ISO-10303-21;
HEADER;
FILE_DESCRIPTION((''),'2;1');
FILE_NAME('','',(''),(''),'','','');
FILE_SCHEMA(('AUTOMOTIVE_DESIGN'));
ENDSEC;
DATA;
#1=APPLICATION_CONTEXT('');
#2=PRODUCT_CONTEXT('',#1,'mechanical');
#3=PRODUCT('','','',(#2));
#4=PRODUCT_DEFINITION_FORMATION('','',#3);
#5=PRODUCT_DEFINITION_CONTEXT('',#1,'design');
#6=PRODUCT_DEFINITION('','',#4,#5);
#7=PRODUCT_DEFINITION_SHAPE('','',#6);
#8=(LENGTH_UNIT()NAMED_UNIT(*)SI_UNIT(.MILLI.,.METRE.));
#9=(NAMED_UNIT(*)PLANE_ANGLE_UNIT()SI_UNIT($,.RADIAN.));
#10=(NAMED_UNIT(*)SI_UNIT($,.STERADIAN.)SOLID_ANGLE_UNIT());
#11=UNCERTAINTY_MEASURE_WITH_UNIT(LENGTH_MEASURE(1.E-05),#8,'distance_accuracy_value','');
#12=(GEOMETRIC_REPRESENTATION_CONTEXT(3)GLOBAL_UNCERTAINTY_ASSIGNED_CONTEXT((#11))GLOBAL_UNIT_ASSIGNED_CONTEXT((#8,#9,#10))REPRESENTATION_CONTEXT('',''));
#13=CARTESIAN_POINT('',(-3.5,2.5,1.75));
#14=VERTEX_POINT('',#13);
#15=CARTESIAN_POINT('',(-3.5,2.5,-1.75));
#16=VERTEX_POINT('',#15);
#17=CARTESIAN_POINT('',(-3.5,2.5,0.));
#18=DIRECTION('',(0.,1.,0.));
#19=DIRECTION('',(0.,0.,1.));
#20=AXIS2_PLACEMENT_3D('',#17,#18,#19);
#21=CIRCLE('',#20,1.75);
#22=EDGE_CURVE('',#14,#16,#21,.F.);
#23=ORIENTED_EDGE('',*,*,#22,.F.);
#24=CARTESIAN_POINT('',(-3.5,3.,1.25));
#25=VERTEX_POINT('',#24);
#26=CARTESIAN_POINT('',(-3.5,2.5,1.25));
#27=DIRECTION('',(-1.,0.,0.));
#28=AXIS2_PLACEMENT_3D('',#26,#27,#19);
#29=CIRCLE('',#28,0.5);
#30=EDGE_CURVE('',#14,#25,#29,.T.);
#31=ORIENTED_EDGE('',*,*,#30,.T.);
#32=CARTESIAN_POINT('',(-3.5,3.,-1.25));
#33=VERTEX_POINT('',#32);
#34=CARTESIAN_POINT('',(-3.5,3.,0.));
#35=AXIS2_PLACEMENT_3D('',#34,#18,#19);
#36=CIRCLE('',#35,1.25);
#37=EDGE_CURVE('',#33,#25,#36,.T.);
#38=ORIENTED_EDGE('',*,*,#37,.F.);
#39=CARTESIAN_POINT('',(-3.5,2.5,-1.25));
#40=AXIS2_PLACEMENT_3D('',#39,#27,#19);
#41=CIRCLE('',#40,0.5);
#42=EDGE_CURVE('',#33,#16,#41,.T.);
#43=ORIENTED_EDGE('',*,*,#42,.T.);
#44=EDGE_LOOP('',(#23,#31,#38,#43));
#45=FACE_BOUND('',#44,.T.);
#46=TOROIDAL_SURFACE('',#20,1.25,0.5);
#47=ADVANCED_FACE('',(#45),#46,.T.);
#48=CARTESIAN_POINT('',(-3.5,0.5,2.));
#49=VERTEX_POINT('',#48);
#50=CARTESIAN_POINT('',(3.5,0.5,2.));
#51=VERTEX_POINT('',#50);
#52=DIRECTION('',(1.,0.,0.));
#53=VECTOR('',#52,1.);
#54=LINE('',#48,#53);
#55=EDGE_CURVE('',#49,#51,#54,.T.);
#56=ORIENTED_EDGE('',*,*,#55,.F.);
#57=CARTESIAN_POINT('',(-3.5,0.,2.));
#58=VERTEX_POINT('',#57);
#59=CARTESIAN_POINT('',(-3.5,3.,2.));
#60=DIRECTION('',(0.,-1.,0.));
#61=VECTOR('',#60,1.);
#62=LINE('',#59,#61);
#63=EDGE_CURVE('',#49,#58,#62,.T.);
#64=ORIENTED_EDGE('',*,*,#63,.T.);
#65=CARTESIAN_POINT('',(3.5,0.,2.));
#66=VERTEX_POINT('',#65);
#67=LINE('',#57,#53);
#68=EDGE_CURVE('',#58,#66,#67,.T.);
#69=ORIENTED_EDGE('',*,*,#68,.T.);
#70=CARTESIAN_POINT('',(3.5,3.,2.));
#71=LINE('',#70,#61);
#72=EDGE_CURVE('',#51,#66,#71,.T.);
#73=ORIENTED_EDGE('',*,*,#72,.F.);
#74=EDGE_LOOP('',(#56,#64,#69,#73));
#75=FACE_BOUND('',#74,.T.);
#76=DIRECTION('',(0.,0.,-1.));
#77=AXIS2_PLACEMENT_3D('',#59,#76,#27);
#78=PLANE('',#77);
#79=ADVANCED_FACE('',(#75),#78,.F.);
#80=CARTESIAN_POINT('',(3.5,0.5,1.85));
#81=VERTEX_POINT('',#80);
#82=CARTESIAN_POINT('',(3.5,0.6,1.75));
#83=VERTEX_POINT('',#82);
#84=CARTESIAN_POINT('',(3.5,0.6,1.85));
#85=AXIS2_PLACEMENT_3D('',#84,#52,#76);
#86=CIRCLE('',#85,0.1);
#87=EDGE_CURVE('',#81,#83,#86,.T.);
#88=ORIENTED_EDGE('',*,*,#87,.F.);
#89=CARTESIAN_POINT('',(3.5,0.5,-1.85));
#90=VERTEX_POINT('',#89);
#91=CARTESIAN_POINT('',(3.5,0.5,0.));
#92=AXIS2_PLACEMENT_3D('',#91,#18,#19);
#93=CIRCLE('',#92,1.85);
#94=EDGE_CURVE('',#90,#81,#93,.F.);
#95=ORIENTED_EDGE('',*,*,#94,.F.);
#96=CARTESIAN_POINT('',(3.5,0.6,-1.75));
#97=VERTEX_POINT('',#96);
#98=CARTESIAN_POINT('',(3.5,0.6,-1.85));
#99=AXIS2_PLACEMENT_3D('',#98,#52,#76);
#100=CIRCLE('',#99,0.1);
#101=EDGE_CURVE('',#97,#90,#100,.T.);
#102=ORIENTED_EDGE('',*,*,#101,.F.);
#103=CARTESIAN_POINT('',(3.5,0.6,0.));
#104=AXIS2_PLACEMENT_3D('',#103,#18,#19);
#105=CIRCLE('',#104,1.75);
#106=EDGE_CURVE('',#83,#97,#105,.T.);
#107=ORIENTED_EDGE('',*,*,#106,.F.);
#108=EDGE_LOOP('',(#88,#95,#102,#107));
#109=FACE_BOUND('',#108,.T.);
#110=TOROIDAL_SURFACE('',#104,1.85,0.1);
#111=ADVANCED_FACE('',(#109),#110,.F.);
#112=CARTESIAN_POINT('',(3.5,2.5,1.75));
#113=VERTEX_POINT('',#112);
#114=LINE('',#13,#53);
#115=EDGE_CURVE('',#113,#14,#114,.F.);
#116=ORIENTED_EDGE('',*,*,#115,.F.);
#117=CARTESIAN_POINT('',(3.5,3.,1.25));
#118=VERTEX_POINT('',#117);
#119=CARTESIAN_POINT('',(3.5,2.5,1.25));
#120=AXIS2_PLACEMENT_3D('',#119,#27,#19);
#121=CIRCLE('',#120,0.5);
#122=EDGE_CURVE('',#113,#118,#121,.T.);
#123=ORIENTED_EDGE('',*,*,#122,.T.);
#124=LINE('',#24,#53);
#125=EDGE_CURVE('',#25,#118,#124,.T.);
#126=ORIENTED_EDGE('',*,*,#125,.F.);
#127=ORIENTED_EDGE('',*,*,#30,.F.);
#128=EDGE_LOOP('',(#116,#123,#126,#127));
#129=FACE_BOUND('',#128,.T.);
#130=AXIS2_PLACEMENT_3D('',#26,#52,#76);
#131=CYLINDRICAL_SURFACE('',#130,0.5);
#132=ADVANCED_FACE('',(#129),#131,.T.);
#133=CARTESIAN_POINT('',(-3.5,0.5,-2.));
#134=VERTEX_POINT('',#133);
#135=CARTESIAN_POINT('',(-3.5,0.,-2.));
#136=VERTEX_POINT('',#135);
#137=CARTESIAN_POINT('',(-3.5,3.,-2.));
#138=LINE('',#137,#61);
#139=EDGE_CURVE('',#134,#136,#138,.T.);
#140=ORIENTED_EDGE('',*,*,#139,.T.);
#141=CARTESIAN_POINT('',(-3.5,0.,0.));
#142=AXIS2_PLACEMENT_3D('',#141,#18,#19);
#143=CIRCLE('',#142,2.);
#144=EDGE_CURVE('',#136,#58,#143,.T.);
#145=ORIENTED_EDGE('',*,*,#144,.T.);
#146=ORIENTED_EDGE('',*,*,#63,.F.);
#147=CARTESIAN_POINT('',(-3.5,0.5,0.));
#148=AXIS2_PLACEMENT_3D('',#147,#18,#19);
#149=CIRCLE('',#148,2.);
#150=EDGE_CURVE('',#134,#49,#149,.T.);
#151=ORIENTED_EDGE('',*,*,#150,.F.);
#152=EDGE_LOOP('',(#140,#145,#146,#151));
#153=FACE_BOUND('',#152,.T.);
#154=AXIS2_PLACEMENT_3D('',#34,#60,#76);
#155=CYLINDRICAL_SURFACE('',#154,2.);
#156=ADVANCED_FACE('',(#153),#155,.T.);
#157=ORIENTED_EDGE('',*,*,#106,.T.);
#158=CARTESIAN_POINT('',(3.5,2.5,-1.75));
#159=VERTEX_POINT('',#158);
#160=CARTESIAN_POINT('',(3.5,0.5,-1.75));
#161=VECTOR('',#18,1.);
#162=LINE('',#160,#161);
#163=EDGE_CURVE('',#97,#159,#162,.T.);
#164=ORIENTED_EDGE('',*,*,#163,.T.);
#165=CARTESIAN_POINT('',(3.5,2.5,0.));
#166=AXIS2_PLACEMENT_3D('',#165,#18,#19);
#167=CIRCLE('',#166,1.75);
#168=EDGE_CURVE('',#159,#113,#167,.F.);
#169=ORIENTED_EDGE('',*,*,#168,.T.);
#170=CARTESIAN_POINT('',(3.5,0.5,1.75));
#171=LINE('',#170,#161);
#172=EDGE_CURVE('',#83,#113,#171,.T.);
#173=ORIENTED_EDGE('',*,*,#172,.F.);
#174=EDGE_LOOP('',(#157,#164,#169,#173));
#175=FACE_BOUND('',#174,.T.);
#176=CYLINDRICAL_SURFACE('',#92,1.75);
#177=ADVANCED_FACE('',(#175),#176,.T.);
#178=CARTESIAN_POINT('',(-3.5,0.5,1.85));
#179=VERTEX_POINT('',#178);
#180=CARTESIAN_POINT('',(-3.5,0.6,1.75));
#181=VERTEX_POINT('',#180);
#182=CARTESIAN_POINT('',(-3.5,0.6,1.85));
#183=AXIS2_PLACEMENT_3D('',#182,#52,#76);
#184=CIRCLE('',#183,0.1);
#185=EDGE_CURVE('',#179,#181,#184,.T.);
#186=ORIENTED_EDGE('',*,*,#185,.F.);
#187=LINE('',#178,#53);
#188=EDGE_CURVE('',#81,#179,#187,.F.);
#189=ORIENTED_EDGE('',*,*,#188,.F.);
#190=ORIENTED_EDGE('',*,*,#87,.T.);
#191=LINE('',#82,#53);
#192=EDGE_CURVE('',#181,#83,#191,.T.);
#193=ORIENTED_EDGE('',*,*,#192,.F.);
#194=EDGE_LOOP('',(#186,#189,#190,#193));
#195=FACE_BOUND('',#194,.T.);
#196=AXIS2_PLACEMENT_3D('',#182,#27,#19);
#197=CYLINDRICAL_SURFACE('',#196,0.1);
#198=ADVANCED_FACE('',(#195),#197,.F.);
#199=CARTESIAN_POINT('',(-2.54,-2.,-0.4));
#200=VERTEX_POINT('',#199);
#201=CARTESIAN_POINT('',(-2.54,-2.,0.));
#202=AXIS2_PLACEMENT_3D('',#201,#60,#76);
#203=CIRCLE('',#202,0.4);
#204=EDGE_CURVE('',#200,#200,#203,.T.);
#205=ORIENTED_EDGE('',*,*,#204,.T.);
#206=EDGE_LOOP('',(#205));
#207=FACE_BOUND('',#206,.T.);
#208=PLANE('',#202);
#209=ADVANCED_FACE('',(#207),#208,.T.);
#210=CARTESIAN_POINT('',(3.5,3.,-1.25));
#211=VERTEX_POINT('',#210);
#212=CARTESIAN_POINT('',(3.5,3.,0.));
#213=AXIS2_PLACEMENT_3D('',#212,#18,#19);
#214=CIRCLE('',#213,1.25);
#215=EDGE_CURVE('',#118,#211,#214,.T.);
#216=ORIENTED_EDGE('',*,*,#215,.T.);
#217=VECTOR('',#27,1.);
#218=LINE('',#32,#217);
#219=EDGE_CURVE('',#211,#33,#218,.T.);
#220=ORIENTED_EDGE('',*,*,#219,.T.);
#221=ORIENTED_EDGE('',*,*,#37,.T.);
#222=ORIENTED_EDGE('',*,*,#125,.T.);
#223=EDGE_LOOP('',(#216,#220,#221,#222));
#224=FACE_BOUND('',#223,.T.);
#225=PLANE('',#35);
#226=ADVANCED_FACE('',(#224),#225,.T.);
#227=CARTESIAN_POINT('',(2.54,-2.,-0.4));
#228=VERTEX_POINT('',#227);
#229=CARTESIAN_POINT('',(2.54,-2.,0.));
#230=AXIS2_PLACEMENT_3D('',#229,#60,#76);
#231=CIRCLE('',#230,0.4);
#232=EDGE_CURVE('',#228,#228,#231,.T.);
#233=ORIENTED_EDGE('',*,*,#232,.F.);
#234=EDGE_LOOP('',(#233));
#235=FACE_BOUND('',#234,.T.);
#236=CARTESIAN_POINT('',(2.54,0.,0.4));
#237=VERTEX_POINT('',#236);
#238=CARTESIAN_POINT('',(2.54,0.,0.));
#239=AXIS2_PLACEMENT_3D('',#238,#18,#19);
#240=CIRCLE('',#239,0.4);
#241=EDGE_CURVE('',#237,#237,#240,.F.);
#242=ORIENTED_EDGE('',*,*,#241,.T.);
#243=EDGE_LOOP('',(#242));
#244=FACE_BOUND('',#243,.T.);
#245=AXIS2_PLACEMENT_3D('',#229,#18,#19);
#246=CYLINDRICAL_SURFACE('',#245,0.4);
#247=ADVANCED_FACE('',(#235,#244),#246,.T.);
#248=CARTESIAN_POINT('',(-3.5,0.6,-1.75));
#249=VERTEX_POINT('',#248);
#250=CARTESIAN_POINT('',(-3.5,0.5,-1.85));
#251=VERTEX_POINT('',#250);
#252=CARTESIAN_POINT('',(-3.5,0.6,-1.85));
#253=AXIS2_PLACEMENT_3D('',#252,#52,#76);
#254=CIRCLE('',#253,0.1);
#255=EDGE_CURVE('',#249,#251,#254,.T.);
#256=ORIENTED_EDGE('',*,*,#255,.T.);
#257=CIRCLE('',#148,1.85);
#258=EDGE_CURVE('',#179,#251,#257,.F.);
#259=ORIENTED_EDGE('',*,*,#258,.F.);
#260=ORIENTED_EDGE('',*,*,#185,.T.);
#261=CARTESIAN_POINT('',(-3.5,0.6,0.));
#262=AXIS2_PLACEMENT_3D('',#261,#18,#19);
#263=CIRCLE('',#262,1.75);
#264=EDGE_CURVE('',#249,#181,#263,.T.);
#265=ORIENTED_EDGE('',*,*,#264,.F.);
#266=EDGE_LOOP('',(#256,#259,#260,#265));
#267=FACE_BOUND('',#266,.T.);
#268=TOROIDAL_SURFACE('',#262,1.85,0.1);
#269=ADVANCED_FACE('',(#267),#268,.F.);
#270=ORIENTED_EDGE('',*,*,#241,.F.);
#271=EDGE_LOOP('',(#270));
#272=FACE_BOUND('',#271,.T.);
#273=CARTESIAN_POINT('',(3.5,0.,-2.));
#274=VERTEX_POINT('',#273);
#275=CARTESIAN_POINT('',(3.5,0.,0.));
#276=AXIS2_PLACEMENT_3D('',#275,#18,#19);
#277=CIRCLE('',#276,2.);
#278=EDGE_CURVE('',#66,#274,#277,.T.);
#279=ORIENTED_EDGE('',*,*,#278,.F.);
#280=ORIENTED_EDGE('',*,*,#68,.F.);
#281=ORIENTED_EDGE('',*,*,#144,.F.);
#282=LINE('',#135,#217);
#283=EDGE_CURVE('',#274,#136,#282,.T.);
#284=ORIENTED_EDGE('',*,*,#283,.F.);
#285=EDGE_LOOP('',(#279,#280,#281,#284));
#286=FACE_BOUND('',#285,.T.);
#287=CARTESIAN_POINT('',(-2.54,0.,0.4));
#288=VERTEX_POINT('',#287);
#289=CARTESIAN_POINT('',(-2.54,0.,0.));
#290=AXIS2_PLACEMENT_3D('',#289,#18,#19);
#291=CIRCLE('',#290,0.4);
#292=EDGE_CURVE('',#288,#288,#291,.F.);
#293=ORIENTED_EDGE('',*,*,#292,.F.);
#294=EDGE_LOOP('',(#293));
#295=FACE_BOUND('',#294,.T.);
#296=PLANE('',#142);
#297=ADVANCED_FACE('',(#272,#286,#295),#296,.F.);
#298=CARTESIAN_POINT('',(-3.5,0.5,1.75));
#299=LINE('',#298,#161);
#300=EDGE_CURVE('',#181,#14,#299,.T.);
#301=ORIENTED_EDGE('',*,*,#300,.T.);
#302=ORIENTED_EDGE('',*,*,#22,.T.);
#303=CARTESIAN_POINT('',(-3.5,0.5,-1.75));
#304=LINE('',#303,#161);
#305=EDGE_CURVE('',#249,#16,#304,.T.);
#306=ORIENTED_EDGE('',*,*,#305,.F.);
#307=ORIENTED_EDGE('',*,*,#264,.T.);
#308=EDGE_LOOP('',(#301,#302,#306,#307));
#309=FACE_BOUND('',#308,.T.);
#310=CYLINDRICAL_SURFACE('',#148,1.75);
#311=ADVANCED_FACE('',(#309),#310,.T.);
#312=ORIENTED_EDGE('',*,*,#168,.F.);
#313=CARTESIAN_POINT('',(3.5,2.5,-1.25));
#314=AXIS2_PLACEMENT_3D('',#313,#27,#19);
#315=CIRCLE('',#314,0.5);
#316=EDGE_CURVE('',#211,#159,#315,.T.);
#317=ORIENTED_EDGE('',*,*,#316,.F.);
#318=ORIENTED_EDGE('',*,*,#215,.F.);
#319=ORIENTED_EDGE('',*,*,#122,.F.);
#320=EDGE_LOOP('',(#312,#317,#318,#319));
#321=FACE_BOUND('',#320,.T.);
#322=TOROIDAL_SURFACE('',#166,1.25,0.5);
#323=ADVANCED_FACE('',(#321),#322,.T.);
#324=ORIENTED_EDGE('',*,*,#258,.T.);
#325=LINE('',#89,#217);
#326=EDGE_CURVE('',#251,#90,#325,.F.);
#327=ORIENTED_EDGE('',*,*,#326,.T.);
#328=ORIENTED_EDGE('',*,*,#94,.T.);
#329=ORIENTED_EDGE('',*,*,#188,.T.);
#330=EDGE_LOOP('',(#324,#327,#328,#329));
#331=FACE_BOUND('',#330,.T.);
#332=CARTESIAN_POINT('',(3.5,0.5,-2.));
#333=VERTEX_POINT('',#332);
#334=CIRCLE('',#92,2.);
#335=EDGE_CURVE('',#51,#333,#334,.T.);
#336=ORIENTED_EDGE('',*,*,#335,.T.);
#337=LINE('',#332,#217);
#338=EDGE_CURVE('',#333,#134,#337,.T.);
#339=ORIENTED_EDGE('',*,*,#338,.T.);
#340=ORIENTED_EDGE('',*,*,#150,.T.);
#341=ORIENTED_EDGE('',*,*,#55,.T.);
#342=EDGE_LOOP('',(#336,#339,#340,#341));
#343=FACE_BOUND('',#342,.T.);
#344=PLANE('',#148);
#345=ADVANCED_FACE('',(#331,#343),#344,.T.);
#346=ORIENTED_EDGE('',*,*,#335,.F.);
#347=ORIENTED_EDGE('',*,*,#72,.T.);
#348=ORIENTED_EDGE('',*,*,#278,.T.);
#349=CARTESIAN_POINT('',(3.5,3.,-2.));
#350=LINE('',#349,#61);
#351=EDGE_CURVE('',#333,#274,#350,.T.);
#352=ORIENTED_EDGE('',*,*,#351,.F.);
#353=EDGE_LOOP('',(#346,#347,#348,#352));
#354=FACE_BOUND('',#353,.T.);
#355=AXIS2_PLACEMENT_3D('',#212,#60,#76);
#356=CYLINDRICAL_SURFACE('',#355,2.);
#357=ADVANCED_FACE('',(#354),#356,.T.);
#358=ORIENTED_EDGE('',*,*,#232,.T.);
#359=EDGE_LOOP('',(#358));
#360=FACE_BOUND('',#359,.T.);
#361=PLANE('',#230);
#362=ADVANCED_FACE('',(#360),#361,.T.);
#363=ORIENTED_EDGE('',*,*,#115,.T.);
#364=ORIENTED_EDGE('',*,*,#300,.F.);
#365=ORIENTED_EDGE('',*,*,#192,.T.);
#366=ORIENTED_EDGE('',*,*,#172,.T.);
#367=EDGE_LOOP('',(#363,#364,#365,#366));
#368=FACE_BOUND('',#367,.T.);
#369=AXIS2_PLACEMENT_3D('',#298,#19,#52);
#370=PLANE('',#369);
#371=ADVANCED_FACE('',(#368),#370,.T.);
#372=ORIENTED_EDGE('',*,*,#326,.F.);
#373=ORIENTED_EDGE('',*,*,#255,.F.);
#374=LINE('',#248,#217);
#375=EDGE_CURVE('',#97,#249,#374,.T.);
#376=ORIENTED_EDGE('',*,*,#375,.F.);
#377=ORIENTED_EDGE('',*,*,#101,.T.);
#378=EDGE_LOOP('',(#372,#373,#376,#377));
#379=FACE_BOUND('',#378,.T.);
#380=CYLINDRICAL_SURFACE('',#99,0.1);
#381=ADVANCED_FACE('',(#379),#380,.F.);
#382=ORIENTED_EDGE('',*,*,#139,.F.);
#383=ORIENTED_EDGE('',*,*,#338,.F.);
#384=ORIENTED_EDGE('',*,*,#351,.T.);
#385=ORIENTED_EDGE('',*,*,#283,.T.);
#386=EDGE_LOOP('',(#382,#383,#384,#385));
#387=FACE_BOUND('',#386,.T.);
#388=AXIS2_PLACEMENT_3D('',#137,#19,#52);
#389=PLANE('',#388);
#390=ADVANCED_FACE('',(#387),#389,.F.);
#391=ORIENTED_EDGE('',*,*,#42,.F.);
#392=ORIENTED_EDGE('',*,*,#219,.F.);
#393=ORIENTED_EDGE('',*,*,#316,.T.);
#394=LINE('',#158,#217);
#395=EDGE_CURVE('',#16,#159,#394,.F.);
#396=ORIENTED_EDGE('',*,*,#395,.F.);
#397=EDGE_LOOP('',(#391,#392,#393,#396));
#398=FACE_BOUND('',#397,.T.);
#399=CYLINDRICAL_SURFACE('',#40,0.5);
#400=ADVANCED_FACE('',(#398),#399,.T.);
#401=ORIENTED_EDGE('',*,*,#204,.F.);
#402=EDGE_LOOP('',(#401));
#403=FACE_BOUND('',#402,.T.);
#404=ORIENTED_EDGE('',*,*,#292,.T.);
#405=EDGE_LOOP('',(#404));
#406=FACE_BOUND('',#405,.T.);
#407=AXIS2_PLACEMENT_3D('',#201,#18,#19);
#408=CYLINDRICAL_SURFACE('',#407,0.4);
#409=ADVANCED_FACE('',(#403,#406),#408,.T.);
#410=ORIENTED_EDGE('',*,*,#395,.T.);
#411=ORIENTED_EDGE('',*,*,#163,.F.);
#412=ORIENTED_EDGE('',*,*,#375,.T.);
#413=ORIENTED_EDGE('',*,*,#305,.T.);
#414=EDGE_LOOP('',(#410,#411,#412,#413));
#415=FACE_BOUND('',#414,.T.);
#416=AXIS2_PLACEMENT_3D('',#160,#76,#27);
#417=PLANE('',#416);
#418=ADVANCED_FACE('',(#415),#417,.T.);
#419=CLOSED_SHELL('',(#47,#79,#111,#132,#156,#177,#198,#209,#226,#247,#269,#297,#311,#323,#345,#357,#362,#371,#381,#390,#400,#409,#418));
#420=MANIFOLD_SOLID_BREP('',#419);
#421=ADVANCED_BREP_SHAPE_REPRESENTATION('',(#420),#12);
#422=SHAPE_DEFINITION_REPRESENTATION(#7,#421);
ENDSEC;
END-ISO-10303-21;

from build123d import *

# Parameters (mm, degrees)
BOSS_EXTRUDE1_DEPTH = 3
CUT_EXTRUDE1_START  = -2.5
CUT_EXTRUDE1_DEPTH  = 2.5
FILLET1_R           = 0.5
SKETCH3_R           = 0.4
BOSS_EXTRUDE2_DEPTH = 2
FILLET2_R           = 0.1


with BuildPart() as part:
    # Sketch1 → Boss-Extrude1 (new body)
    with BuildSketch(Plane(origin=(0, 0, 0), x_dir=(1, 0, 0), z_dir=(0, 1, 0))):
        with BuildLine():
            Line((-3.5, 2), (3.5, 2))
            ThreePointArc((3.5, 2), (5.5, 0), (3.5, -2))
            Line((3.5, -2), (-3.5, -2))
            ThreePointArc((-3.5, -2), (-5.5, 0), (-3.5, 2))
        make_face()
    extrude(amount=BOSS_EXTRUDE1_DEPTH)

    # Sketch2 → Cut-Extrude1 (cut)
    with BuildSketch(Plane(origin=(0, 3, 0), x_dir=(1, 0, 0), z_dir=(0, 1, 0)).offset(CUT_EXTRUDE1_START)):
        with BuildLine():
            Line((-3.5, -2), (3.5, -2))
            ThreePointArc((3.5, -2), (5.5, 0), (3.5, 2))
            Line((3.5, 2), (-3.5, 2))
            ThreePointArc((-3.5, 2), (-5.5, 0), (-3.5, -2))
        make_face()
        with BuildLine():
            Line((-3.5, -1.75), (3.5, -1.75))
            ThreePointArc((3.5, -1.75), (5.25, 0), (3.5, 1.75))
            Line((3.5, 1.75), (-3.5, 1.75))
            ThreePointArc((-3.5, 1.75), (-5.25, 0), (-3.5, -1.75))
        make_face(mode=Mode.SUBTRACT)
    extrude(amount=CUT_EXTRUDE1_DEPTH, mode=Mode.SUBTRACT)

    # Fillet1
    fillet1_edges = [part.edges().sort_by_distance(p)[0] for p in [
        (-5.25, 3, 0),
        (0, 3, -1.75),
        (5.25, 3, 0),
        (0, 3, 1.75),
    ]]
    fillet(fillet1_edges, radius=FILLET1_R)

    # Sketch3 → Boss-Extrude2 (add)
    with BuildSketch(Plane.XZ):
        with Locations(Location((-2.54, 0, 0), (0, 0, 90))):
            Circle(SKETCH3_R)
        with Locations(Location((2.54, 0, 0), (0, 0, 90))):
            Circle(SKETCH3_R)
    extrude(amount=BOSS_EXTRUDE2_DEPTH)

    # Fillet2
    fillet2_edges = [part.edges().sort_by_distance(p)[0] for p in [
        (0, 0.5, -1.75),
        (-5.25, 0.5, 0),
        (0, 0.5, 1.75),
        (5.25, 0.5, 0),
    ]]
    fillet(fillet2_edges, radius=FILLET2_R)


solid = part.part
